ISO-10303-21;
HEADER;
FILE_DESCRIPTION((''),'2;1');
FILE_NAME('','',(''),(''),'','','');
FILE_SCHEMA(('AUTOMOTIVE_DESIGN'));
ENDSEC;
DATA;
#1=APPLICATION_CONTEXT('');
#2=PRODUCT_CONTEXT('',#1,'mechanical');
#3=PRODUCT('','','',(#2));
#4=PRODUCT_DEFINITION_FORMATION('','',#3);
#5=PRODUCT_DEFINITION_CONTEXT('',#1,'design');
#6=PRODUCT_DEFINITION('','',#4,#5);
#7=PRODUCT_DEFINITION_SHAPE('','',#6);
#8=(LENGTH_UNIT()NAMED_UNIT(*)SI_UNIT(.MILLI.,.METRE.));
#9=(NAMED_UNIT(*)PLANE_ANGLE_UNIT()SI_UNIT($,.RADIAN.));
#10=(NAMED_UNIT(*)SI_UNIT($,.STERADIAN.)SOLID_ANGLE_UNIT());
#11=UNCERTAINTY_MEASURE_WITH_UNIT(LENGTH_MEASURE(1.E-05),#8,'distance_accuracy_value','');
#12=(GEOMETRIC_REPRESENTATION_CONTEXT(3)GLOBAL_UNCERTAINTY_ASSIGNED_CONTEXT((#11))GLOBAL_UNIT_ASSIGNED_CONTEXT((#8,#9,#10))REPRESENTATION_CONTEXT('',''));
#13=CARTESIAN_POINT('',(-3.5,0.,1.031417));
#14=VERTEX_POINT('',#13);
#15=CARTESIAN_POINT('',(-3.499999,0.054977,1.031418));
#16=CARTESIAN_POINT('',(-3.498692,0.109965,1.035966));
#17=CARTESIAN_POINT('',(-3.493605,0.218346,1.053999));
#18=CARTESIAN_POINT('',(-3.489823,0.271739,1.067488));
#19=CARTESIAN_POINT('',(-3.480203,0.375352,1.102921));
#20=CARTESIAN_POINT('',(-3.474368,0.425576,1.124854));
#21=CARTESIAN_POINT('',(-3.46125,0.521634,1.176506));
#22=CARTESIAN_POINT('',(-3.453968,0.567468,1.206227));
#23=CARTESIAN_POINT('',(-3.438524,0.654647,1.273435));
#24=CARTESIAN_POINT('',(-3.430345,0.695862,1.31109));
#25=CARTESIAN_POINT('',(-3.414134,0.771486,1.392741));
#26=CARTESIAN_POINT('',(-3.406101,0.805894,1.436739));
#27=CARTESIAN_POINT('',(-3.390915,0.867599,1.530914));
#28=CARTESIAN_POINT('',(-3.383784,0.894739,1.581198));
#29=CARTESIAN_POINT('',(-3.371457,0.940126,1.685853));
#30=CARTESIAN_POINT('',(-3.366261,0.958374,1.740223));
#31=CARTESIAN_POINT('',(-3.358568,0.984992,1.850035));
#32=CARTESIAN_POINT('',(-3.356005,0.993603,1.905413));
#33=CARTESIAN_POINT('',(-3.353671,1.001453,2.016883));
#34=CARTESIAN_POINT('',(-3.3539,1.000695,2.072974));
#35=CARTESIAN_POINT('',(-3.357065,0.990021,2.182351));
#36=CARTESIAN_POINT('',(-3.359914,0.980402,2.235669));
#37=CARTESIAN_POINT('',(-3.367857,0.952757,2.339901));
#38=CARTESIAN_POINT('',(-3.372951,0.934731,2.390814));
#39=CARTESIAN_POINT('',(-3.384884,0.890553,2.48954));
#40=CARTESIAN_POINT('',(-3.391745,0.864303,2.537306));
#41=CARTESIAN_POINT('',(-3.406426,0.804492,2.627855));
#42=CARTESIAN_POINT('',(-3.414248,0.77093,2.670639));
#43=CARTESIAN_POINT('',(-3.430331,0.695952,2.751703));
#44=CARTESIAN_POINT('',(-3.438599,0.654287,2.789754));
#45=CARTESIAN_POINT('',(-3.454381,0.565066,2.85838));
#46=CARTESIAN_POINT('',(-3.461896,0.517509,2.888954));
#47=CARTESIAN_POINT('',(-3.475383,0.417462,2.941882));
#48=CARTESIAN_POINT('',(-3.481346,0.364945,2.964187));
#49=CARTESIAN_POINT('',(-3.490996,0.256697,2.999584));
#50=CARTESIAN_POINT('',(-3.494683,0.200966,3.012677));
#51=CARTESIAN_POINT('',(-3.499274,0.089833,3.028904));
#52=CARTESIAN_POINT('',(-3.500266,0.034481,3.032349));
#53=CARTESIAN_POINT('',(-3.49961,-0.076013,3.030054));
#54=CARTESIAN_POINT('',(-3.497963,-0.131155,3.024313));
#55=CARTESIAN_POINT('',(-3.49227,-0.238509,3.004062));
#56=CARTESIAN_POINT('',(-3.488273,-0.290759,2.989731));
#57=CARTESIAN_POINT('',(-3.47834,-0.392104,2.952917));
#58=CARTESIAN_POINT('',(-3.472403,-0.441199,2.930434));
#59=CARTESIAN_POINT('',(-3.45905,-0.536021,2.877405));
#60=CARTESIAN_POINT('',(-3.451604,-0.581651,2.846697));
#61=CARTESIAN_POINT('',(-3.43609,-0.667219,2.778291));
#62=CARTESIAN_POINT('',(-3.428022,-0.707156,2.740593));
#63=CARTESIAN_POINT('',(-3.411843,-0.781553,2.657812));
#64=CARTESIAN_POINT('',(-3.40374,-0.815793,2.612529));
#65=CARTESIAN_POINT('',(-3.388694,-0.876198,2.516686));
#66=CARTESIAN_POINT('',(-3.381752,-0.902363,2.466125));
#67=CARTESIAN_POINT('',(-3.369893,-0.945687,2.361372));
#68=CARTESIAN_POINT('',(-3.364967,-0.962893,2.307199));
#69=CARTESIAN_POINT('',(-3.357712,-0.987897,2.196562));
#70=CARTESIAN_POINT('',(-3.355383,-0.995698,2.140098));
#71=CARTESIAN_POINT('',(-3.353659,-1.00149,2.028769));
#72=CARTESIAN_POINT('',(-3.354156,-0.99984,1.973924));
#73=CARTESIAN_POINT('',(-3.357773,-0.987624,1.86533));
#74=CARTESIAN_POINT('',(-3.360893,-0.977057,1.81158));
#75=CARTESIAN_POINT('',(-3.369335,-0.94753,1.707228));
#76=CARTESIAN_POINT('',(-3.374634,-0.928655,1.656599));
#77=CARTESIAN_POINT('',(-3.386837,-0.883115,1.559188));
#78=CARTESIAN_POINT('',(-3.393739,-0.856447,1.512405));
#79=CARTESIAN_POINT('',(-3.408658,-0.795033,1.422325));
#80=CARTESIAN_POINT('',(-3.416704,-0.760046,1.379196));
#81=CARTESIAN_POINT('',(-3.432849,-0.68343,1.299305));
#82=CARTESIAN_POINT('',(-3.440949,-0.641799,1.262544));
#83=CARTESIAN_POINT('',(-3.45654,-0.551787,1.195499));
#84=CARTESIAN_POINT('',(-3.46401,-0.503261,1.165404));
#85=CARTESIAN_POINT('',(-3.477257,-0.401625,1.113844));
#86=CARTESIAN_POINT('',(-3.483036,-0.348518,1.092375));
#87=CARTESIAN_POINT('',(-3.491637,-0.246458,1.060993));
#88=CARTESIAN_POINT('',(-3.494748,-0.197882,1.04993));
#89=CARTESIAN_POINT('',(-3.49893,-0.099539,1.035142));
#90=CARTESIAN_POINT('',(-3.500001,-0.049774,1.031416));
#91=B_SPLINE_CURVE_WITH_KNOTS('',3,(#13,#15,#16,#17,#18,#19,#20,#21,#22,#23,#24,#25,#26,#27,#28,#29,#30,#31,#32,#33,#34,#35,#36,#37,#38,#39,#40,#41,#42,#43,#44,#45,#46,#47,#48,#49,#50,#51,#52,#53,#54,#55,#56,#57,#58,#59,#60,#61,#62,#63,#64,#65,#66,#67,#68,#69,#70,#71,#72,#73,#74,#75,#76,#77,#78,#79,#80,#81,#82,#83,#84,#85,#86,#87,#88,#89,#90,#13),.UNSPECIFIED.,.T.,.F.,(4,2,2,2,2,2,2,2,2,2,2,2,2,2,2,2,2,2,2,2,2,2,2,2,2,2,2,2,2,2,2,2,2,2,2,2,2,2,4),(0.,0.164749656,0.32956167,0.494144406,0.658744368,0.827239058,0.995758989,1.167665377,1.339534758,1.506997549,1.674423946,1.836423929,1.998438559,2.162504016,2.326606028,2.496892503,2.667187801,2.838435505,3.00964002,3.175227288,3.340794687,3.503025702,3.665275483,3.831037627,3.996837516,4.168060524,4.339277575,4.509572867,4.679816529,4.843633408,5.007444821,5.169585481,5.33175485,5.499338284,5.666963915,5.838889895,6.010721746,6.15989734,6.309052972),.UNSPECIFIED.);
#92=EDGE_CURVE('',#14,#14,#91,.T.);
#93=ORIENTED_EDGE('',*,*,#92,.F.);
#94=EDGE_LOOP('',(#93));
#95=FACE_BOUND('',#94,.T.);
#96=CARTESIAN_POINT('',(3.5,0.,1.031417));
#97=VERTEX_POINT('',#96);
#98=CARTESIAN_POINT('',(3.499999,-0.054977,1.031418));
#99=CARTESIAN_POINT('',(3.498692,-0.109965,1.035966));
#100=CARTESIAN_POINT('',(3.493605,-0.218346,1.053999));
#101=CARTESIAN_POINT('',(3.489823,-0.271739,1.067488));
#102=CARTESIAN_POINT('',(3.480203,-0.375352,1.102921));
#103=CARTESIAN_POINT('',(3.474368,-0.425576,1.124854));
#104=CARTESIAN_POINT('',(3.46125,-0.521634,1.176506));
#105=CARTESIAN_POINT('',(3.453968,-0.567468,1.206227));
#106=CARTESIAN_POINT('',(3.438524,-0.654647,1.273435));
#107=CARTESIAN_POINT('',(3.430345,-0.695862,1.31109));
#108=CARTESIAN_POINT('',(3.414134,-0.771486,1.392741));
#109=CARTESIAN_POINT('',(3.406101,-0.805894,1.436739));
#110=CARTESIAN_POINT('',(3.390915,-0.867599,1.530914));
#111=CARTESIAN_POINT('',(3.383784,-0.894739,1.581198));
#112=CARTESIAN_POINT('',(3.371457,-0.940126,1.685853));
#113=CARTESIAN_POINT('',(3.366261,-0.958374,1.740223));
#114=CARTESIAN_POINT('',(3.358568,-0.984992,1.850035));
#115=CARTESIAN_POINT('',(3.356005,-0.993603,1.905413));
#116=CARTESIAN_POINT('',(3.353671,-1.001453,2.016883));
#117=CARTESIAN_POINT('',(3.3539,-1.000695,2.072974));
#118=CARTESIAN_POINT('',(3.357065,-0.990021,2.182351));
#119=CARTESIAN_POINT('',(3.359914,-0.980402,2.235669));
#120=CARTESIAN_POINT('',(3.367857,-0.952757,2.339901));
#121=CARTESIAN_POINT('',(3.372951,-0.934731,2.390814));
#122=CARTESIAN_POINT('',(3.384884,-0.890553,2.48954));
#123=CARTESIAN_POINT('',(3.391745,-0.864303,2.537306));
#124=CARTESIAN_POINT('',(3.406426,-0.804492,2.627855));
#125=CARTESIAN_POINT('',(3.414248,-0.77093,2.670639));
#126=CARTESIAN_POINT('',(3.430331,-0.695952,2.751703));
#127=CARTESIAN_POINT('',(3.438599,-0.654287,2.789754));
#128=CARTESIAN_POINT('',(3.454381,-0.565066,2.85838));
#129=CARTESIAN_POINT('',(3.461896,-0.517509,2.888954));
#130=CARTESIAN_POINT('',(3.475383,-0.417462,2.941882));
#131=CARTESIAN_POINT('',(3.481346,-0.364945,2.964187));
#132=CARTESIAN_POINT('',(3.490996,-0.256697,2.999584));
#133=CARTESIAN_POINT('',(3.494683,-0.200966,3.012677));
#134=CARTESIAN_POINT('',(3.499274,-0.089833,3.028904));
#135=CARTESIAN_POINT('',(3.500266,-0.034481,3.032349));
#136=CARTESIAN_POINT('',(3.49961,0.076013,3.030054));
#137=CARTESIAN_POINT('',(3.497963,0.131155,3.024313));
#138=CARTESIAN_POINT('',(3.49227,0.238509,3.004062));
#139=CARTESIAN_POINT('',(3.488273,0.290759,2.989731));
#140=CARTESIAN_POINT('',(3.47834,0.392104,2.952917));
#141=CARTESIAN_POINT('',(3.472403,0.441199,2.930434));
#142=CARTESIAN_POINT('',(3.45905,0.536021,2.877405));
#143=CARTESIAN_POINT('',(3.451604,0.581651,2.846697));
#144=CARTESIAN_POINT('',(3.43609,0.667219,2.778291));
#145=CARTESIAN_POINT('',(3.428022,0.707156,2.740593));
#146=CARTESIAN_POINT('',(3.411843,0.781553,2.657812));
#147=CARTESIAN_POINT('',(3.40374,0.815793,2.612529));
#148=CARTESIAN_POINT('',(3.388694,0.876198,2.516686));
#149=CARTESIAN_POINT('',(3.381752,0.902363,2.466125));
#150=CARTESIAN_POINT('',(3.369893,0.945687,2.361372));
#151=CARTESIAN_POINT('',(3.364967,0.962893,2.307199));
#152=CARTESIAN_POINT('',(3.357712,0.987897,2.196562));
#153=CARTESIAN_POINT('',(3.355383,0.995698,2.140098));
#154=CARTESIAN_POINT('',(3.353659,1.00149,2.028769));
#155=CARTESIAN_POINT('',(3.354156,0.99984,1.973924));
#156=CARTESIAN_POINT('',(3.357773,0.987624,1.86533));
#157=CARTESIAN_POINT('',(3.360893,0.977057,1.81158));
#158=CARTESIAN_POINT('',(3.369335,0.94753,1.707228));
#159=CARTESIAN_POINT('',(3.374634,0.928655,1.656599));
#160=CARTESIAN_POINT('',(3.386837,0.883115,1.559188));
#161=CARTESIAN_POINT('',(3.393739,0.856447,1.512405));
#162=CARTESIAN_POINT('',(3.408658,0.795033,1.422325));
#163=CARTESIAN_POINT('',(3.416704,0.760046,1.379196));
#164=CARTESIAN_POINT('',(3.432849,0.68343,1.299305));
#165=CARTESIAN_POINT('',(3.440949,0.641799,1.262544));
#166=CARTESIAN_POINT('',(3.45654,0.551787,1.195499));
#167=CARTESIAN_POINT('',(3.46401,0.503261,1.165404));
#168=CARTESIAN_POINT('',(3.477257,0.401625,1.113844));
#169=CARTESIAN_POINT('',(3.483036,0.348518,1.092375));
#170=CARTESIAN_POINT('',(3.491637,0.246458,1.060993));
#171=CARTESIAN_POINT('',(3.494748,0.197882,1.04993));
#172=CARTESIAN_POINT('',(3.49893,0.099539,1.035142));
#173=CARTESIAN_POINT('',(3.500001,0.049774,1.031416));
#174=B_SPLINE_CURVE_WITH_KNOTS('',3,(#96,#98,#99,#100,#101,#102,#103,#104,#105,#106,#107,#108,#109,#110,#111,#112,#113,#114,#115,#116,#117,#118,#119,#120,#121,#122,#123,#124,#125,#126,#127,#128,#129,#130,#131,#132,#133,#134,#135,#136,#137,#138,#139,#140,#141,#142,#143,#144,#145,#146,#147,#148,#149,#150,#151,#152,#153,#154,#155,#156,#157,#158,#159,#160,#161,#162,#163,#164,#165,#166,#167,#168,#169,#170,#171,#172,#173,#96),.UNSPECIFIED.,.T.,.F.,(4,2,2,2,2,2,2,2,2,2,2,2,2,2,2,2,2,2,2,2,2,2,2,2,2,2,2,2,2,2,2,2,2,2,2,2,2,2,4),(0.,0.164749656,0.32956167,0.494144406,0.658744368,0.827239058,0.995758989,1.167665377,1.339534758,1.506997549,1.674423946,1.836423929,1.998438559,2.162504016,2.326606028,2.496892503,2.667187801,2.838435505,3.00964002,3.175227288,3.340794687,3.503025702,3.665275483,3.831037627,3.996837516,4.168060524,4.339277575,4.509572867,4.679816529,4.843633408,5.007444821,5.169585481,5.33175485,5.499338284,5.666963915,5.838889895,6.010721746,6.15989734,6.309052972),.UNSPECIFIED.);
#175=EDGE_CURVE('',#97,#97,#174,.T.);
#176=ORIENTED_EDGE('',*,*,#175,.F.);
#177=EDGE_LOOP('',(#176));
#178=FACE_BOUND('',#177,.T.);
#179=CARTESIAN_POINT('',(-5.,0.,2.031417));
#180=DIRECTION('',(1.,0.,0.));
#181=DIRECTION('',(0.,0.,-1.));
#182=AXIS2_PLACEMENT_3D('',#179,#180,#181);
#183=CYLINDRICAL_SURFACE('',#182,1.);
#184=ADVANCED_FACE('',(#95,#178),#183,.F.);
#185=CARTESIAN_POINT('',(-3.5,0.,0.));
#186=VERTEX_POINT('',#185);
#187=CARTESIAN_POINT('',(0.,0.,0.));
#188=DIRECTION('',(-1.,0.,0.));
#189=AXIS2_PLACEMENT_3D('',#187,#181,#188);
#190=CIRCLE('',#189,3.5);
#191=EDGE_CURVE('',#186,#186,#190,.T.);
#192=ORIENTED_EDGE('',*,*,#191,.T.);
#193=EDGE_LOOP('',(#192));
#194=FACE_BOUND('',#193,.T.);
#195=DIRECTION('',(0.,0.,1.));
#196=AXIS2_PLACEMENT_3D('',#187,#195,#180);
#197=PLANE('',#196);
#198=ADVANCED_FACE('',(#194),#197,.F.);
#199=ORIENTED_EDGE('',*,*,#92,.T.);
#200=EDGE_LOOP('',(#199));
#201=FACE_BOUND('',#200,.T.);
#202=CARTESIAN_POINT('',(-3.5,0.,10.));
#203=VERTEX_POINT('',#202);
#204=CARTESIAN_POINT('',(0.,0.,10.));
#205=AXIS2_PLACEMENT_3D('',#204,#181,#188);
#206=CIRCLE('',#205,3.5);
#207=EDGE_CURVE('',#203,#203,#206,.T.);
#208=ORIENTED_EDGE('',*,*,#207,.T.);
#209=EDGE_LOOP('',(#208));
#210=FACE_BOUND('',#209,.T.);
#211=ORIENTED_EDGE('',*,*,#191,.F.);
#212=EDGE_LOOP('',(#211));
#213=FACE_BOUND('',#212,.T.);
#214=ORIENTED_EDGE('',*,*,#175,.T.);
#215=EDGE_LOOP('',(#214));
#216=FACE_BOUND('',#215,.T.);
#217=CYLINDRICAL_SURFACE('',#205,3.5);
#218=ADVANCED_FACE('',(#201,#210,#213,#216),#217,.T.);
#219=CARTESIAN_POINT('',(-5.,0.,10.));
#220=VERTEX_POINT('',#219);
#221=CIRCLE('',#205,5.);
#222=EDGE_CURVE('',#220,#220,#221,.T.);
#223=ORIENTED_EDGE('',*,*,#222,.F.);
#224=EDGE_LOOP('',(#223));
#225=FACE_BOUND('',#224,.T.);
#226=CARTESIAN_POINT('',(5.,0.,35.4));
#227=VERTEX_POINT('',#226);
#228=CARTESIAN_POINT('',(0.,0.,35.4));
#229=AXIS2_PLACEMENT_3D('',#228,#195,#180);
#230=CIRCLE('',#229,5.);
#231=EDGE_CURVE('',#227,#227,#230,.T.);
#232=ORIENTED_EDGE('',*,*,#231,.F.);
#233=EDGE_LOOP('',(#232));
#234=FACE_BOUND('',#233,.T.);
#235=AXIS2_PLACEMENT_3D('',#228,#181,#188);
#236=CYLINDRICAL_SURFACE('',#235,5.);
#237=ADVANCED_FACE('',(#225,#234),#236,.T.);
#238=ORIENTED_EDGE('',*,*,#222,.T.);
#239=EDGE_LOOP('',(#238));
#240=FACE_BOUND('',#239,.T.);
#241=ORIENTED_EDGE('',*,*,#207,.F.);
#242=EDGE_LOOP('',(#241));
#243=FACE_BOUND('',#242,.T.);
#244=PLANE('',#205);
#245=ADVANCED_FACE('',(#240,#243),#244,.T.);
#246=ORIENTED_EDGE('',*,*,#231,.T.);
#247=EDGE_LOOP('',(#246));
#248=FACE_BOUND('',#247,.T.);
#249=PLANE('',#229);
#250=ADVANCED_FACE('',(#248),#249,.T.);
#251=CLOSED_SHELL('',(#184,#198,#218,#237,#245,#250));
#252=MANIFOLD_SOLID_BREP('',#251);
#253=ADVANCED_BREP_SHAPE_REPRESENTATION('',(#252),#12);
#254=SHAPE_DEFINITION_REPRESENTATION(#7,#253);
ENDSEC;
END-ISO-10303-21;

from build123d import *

# Parameters (mm, degrees)
SKETCH1_R               = 5
BOSS_EXTRUDE1_DEPTH     = 35.4
SKETCH2_R               = 1
CUT_EXTRUDE1_DEPTH      = 6
CUT_EXTRUDE1_DEPTH_BACK = 6
SKETCH3_OUTSIDE_W       = 19.624
SKETCH3_OUTSIDE_H       = 19.624
SKETCH3_OUTSIDE_R       = 3.5
CUT_EXTRUDE2_DEPTH      = 10


with BuildPart() as part:
    # Sketch1 → Boss-Extrude1 (new body)
    with BuildSketch(Plane.XY):
        Circle(SKETCH1_R)
    extrude(amount=BOSS_EXTRUDE1_DEPTH)

    # Sketch2 → Cut-Extrude1 (cut, two sides)
    with BuildSketch(Plane(origin=(0, 0, 0), x_dir=(0, 0, -1), z_dir=(1, 0, 0))) as cut_extrude1_sk:
        with Locations((-2.031417136, 0)):
            Circle(SKETCH2_R)
    extrude(amount=CUT_EXTRUDE1_DEPTH, mode=Mode.SUBTRACT)
    extrude(cut_extrude1_sk.sketch, amount=-CUT_EXTRUDE1_DEPTH_BACK, mode=Mode.SUBTRACT)

    # Sketch3 outside → Cut-Extrude2 (cut)
    with BuildSketch(Plane(origin=(0, 0, 0), x_dir=(-1, 0, 0), z_dir=(0, 0, -1))):
        Rectangle(SKETCH3_OUTSIDE_W, SKETCH3_OUTSIDE_H)
        Circle(SKETCH3_OUTSIDE_R, mode=Mode.SUBTRACT)
    extrude(amount=-CUT_EXTRUDE2_DEPTH, mode=Mode.SUBTRACT)


solid = part.part
